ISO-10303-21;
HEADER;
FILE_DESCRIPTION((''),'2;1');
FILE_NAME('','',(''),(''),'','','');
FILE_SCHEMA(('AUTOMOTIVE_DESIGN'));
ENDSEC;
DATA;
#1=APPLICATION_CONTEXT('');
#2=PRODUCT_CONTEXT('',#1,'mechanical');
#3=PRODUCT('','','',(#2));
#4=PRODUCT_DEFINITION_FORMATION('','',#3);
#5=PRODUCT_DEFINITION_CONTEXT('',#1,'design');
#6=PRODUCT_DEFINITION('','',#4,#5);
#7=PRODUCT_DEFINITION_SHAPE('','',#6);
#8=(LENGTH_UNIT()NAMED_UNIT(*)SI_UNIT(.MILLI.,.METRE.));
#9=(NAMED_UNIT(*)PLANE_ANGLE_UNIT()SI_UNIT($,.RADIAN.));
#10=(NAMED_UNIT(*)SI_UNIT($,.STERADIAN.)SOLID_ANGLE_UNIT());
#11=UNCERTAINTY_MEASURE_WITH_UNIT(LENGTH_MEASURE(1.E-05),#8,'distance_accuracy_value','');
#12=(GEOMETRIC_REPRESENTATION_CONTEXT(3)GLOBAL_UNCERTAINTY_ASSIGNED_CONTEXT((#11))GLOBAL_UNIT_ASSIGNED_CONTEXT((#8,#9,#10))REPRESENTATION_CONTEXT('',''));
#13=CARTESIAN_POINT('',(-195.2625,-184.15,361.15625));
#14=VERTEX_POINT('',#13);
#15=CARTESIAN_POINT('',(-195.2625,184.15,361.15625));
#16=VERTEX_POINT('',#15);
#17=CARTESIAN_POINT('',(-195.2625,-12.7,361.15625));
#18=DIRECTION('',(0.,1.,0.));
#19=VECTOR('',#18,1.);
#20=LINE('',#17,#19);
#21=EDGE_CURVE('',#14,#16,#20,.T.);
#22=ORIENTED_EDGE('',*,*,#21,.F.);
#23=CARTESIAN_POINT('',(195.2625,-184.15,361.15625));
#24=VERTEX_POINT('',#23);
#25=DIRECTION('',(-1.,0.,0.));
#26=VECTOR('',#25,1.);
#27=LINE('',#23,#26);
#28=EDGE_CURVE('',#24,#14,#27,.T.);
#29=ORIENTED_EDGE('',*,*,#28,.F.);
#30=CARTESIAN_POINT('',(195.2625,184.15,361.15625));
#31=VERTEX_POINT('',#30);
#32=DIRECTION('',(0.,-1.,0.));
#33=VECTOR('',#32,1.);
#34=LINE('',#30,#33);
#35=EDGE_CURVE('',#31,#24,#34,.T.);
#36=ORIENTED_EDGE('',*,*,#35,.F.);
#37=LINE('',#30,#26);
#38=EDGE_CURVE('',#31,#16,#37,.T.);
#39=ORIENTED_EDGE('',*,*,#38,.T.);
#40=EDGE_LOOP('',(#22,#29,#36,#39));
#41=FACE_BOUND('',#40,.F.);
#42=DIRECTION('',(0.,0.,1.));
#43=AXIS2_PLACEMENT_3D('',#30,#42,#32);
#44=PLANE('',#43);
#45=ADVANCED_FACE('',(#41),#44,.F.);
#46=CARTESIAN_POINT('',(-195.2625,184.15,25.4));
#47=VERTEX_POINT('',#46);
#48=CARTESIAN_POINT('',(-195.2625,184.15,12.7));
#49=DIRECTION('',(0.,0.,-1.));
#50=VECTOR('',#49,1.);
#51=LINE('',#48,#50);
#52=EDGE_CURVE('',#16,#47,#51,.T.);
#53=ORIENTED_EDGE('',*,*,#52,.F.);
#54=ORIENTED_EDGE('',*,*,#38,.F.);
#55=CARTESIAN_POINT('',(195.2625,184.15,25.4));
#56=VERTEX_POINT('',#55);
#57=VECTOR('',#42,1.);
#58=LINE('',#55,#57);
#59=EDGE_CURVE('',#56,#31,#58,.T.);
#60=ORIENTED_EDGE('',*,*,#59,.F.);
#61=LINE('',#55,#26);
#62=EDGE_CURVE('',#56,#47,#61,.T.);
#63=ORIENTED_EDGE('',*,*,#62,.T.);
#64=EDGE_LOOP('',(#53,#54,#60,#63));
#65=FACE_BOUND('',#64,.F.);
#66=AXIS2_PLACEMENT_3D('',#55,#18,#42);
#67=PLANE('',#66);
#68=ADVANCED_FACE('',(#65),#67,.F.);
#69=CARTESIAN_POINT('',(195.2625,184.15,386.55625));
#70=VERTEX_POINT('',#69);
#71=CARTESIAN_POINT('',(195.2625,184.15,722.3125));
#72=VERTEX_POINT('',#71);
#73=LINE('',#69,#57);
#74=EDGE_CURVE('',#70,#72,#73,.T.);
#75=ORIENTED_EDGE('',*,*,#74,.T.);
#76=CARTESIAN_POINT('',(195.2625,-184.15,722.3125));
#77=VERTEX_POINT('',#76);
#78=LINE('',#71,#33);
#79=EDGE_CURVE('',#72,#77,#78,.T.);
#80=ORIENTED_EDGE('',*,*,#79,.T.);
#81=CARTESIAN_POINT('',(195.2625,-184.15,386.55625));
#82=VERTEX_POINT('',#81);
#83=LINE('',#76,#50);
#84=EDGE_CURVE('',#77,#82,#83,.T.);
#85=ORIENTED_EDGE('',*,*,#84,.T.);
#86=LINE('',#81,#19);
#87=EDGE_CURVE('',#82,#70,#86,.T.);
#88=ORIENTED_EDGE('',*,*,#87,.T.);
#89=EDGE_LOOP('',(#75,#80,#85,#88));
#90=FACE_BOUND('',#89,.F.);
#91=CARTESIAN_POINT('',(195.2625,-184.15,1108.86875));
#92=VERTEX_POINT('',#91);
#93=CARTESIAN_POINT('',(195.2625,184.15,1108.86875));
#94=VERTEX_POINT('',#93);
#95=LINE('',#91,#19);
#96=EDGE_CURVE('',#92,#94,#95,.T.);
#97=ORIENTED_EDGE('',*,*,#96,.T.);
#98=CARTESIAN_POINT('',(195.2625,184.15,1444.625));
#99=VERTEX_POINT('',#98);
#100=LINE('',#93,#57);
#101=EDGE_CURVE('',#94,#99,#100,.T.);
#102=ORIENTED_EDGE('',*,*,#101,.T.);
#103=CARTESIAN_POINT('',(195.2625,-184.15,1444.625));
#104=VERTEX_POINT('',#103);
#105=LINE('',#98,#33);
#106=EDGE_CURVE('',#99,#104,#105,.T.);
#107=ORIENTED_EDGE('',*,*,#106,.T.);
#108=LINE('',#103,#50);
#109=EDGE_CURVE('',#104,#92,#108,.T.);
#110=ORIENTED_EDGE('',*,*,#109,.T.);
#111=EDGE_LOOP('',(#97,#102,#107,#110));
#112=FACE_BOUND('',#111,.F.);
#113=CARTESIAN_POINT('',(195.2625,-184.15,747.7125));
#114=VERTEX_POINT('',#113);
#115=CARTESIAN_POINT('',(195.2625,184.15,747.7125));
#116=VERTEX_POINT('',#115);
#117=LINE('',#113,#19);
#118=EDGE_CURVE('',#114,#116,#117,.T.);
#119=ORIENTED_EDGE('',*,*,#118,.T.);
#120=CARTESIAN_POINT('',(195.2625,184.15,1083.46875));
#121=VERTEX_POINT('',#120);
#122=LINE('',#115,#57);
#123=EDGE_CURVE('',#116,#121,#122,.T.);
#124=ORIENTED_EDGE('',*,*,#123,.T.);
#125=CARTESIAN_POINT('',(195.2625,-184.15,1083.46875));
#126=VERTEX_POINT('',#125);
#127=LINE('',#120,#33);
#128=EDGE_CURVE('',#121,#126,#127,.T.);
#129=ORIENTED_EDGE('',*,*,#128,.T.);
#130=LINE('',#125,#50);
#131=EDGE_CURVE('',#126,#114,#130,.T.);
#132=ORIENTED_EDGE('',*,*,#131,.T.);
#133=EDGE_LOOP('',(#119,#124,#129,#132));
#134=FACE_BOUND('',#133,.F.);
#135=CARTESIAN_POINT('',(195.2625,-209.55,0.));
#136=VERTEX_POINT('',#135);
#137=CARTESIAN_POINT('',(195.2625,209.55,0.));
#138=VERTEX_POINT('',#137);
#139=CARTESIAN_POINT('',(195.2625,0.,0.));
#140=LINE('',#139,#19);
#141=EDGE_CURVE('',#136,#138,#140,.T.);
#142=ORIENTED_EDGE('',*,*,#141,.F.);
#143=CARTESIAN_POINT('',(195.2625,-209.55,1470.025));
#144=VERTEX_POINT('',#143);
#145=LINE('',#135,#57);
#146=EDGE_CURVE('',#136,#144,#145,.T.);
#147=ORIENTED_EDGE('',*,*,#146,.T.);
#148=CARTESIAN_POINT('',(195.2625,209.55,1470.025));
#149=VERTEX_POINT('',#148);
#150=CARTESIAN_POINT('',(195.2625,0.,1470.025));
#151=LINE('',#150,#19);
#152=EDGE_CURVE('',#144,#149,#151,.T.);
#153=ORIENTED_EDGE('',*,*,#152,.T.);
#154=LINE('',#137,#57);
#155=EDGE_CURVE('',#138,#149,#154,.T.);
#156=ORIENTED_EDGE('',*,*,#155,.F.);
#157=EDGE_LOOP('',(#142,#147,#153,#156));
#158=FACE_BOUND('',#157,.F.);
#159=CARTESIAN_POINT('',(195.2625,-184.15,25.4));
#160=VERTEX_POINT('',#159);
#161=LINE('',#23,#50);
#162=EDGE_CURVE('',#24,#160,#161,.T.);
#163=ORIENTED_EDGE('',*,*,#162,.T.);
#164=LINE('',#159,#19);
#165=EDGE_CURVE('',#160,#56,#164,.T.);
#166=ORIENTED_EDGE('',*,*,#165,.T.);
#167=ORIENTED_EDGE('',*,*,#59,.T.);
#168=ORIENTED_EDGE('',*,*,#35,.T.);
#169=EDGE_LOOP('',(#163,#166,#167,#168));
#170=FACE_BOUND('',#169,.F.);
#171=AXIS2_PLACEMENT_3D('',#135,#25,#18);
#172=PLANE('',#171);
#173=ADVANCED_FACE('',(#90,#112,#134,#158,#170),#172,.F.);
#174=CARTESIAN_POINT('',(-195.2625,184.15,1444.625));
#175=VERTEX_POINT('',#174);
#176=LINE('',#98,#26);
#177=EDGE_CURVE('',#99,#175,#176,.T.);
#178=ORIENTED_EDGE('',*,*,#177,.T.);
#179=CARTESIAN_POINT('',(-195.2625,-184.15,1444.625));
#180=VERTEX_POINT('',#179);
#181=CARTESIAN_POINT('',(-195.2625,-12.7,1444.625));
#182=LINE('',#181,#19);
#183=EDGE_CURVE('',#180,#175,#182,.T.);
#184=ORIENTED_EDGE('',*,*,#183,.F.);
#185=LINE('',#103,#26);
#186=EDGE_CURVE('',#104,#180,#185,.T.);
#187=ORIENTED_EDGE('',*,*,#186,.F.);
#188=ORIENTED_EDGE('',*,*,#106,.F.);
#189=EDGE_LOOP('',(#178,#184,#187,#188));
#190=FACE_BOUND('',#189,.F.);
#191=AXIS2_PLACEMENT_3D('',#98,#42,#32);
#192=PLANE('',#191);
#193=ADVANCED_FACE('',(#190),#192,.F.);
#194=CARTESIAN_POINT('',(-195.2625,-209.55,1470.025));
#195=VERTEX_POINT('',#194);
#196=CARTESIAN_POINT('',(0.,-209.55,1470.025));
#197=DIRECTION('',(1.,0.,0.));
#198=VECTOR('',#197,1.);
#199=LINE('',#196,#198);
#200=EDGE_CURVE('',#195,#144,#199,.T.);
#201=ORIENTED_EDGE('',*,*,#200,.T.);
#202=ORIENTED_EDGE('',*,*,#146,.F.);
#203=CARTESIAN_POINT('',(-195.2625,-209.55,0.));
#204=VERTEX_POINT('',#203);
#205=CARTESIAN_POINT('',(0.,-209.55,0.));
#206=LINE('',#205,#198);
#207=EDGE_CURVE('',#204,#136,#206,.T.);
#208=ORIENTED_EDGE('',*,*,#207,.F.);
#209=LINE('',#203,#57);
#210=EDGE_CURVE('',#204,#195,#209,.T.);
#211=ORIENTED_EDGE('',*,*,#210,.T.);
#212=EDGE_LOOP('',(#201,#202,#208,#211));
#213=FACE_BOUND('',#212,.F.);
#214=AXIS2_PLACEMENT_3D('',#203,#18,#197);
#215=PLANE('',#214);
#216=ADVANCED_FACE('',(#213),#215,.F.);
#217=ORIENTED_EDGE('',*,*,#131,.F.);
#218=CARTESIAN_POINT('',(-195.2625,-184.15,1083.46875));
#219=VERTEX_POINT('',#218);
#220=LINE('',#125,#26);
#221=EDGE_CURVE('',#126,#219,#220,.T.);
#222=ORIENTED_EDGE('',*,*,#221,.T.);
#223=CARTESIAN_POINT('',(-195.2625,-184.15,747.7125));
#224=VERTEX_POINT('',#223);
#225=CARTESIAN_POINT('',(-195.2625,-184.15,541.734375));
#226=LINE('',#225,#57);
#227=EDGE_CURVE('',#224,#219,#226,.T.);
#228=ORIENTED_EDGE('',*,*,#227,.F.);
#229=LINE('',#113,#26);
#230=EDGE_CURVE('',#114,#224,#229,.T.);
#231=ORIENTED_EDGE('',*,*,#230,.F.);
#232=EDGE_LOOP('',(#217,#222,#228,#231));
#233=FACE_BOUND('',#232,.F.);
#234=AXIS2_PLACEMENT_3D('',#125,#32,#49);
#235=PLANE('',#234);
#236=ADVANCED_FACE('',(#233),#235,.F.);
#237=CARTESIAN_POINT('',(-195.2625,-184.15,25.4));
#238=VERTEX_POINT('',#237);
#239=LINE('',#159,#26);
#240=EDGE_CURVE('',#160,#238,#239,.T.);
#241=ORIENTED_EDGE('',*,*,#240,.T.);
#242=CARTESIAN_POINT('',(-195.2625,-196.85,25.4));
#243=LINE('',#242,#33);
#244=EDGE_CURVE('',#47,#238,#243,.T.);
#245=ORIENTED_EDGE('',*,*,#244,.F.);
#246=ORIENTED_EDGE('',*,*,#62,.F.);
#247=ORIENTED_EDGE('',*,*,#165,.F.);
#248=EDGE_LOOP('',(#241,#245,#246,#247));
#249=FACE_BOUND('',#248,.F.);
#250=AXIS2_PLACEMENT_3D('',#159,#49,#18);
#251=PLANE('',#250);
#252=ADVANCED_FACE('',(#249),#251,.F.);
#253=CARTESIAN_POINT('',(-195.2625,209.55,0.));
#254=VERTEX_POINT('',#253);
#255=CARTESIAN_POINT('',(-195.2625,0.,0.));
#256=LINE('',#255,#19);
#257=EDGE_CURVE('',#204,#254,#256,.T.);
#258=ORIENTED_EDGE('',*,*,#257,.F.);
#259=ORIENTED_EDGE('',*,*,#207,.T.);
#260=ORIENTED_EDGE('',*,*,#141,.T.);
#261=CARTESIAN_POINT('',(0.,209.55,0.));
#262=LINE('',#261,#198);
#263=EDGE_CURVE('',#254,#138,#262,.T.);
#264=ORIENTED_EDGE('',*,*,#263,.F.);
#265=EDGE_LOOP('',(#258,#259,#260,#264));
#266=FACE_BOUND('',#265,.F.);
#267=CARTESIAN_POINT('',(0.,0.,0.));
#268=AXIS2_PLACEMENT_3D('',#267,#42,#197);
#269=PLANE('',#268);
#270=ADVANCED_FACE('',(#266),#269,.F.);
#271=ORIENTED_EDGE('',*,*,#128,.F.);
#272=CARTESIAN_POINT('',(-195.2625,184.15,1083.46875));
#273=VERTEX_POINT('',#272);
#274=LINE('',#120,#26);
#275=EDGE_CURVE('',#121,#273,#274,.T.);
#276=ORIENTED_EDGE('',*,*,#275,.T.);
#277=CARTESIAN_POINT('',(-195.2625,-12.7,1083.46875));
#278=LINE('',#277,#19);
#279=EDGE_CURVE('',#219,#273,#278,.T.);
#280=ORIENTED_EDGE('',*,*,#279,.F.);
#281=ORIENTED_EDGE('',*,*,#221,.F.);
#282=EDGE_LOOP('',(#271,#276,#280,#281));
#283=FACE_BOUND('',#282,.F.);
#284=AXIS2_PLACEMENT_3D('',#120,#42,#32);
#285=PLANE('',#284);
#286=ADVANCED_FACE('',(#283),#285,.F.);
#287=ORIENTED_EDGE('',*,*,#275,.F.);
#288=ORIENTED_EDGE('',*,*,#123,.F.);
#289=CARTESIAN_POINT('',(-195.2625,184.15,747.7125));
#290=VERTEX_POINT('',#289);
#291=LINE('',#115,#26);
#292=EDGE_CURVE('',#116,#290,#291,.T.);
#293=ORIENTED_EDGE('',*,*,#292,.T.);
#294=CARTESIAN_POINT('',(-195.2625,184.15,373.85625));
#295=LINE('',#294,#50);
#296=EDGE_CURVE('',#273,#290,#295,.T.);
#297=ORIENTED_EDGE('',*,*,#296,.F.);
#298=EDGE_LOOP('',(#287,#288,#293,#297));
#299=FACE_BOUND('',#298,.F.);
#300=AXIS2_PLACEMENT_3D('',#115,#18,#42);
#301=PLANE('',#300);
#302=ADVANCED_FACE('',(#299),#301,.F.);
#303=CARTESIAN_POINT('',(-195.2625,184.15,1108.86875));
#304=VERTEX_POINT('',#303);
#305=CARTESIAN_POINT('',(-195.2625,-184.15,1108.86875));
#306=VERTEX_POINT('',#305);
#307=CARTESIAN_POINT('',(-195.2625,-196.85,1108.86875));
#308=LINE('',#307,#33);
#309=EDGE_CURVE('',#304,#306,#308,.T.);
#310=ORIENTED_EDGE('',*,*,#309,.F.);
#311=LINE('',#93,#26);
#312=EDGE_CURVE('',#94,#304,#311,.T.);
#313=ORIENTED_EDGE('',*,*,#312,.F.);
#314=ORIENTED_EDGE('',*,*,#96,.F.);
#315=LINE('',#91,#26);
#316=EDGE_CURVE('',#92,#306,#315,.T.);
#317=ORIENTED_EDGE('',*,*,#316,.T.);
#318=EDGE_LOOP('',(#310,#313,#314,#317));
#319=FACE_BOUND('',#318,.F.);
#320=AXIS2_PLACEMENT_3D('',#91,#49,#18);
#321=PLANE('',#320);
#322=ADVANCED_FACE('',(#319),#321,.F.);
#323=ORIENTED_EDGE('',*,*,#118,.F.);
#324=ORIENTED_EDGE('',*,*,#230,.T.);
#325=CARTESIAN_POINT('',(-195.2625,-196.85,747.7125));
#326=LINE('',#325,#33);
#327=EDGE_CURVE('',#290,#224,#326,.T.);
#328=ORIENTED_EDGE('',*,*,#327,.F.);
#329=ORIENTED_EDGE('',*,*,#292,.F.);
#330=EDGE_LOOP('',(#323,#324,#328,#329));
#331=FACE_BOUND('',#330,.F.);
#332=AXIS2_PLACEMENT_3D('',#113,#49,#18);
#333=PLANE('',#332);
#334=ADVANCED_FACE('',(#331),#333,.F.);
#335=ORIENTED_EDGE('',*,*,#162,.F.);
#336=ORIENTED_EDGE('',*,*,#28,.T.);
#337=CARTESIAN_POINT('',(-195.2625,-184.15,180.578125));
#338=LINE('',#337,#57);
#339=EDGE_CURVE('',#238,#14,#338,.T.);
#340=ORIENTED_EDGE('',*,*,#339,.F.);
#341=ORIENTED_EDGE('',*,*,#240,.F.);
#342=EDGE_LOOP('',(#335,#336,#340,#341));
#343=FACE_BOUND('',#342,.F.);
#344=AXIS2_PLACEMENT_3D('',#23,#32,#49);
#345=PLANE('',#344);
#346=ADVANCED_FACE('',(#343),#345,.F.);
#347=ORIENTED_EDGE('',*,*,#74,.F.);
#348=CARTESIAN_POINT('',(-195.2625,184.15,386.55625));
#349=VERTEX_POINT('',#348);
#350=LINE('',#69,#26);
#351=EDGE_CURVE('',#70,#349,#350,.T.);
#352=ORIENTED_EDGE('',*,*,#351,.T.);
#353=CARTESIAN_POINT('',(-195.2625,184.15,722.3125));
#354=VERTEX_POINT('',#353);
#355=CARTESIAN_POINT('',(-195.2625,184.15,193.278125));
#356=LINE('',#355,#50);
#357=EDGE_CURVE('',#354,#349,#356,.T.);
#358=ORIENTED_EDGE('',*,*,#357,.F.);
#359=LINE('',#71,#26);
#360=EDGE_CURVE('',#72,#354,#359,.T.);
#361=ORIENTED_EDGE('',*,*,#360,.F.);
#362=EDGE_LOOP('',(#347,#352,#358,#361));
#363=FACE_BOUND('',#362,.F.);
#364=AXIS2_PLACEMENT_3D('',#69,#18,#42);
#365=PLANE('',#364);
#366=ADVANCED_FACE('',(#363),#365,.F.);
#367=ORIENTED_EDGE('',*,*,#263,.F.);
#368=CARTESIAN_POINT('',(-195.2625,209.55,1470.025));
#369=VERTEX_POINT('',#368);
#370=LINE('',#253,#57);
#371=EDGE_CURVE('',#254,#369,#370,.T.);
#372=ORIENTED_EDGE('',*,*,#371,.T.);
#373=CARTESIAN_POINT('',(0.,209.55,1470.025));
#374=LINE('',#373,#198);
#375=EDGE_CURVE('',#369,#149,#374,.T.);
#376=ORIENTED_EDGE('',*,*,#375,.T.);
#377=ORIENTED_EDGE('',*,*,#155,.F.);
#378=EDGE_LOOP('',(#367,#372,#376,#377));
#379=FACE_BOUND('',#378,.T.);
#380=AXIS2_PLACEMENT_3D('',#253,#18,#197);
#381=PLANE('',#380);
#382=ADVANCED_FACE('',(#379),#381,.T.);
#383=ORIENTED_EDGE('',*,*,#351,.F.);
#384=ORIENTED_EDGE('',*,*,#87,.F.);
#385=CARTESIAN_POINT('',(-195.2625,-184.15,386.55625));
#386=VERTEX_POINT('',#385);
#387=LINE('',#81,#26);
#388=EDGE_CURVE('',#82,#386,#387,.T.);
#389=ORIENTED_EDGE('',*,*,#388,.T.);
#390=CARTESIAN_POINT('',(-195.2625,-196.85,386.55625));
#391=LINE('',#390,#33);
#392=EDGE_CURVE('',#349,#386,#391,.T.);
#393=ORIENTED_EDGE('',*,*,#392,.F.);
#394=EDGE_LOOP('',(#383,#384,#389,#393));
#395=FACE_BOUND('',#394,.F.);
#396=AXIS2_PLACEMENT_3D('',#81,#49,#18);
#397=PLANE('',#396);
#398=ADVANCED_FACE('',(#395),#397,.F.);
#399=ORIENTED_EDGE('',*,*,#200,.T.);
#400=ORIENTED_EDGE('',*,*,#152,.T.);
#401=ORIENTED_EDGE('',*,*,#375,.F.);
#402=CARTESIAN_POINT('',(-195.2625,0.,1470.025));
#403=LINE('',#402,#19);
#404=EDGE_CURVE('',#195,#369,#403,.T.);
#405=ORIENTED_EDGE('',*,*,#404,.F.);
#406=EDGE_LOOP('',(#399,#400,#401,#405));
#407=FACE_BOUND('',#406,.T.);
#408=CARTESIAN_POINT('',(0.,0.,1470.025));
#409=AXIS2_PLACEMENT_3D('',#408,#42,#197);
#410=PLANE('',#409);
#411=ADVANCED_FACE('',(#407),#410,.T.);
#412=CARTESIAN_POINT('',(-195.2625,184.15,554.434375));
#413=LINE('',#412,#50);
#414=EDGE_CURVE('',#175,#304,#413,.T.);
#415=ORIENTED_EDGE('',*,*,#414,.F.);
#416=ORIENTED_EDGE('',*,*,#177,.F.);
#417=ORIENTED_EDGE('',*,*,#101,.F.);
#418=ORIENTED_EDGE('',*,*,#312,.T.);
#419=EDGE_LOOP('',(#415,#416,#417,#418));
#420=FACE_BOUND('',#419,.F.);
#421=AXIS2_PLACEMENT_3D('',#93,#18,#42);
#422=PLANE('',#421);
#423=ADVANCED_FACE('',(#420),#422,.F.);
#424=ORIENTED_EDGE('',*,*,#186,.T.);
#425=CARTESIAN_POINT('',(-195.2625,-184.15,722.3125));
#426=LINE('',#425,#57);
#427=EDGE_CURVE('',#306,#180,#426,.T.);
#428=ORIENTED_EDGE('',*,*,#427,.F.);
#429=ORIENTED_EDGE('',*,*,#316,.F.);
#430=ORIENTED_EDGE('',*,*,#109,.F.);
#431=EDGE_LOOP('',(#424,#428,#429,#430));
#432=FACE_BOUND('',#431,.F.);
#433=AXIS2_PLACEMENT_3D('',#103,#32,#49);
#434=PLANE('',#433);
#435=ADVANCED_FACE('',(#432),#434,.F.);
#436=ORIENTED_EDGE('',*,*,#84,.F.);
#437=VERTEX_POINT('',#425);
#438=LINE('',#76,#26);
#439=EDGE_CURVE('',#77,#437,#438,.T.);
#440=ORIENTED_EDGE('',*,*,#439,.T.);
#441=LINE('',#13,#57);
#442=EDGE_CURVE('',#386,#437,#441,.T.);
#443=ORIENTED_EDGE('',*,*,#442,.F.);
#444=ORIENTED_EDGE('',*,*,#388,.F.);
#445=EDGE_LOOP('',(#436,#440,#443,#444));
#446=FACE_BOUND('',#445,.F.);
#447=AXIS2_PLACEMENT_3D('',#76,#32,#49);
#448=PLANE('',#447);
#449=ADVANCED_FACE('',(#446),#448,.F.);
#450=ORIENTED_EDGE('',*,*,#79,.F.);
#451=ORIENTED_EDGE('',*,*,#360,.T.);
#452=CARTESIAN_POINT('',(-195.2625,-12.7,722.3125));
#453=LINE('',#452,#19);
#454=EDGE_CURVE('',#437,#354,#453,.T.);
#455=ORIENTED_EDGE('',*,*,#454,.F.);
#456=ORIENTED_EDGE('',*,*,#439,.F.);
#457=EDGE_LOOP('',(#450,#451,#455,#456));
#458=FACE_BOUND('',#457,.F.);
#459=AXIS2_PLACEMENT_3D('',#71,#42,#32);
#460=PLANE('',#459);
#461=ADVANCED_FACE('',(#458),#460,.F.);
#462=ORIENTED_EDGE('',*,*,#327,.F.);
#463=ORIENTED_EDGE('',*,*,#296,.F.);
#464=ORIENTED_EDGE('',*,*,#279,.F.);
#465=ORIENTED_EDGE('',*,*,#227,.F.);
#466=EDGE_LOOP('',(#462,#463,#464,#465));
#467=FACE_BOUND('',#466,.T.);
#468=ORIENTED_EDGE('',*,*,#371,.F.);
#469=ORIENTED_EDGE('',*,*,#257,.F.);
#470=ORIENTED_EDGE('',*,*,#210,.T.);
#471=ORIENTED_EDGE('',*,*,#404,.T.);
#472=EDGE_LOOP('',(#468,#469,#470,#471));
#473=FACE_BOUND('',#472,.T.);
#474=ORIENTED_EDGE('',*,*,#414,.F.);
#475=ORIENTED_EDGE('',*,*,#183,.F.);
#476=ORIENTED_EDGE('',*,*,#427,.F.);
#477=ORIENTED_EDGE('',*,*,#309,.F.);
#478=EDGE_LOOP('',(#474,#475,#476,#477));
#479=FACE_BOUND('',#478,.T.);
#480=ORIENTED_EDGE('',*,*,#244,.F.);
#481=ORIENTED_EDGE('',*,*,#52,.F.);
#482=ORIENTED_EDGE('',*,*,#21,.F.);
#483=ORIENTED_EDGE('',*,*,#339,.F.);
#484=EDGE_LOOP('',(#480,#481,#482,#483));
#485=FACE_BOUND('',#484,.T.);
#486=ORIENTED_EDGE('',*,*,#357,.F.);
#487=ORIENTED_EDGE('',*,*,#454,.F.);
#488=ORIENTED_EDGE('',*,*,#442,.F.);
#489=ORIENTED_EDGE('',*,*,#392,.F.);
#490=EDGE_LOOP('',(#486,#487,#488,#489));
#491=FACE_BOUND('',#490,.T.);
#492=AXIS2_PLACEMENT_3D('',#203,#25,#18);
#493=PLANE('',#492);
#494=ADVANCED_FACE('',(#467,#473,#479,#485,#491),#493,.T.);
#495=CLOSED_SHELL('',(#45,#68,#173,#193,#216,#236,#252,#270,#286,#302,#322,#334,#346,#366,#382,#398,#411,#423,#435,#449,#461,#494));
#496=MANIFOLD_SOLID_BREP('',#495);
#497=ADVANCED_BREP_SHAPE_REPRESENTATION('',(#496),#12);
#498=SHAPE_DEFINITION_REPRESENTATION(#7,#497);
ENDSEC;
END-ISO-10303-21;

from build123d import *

# Parameters (mm, degrees)
F0_W     = 390.525
F0_H     = 419.1
F1_DEPTH = 1470.025
F3_DEPTH = 390.526


with BuildPart() as f1:
    # F0 (on Top) → F1 (new body)
    with BuildSketch(Plane.XY):
        Rectangle(F0_W, F0_H)
    extrude(amount=F1_DEPTH)

    # F2 (on face) → F3 (cut, through all)
    with BuildSketch(Plane.YZ.offset(195.2625)):
        Polygon((-184.15, 1108.86875), (0, 1108.86875), (184.15, 1108.86875), (184.15, 1276.746875), (184.15, 1444.625), (0, 1444.625), (-184.15, 1444.625), align=None)
        Polygon((-184.15, 747.7125), (0, 747.7125), (184.15, 747.7125), (184.15, 1083.46875), (0, 1083.46875), (-184.15, 1083.46875), align=None)
        Polygon((-184.15, 386.55625), (0, 386.55625), (184.15, 386.55625), (184.15, 722.3125), (0, 722.3125), (-184.15, 722.3125), align=None)
        Polygon((0, 25.4), (184.15, 25.4), (184.15, 361.15625), (0, 361.15625), (-184.15, 361.15625), (-184.15, 25.4), align=None)
    extrude(amount=-F3_DEPTH, mode=Mode.SUBTRACT)


solid = f1.part
